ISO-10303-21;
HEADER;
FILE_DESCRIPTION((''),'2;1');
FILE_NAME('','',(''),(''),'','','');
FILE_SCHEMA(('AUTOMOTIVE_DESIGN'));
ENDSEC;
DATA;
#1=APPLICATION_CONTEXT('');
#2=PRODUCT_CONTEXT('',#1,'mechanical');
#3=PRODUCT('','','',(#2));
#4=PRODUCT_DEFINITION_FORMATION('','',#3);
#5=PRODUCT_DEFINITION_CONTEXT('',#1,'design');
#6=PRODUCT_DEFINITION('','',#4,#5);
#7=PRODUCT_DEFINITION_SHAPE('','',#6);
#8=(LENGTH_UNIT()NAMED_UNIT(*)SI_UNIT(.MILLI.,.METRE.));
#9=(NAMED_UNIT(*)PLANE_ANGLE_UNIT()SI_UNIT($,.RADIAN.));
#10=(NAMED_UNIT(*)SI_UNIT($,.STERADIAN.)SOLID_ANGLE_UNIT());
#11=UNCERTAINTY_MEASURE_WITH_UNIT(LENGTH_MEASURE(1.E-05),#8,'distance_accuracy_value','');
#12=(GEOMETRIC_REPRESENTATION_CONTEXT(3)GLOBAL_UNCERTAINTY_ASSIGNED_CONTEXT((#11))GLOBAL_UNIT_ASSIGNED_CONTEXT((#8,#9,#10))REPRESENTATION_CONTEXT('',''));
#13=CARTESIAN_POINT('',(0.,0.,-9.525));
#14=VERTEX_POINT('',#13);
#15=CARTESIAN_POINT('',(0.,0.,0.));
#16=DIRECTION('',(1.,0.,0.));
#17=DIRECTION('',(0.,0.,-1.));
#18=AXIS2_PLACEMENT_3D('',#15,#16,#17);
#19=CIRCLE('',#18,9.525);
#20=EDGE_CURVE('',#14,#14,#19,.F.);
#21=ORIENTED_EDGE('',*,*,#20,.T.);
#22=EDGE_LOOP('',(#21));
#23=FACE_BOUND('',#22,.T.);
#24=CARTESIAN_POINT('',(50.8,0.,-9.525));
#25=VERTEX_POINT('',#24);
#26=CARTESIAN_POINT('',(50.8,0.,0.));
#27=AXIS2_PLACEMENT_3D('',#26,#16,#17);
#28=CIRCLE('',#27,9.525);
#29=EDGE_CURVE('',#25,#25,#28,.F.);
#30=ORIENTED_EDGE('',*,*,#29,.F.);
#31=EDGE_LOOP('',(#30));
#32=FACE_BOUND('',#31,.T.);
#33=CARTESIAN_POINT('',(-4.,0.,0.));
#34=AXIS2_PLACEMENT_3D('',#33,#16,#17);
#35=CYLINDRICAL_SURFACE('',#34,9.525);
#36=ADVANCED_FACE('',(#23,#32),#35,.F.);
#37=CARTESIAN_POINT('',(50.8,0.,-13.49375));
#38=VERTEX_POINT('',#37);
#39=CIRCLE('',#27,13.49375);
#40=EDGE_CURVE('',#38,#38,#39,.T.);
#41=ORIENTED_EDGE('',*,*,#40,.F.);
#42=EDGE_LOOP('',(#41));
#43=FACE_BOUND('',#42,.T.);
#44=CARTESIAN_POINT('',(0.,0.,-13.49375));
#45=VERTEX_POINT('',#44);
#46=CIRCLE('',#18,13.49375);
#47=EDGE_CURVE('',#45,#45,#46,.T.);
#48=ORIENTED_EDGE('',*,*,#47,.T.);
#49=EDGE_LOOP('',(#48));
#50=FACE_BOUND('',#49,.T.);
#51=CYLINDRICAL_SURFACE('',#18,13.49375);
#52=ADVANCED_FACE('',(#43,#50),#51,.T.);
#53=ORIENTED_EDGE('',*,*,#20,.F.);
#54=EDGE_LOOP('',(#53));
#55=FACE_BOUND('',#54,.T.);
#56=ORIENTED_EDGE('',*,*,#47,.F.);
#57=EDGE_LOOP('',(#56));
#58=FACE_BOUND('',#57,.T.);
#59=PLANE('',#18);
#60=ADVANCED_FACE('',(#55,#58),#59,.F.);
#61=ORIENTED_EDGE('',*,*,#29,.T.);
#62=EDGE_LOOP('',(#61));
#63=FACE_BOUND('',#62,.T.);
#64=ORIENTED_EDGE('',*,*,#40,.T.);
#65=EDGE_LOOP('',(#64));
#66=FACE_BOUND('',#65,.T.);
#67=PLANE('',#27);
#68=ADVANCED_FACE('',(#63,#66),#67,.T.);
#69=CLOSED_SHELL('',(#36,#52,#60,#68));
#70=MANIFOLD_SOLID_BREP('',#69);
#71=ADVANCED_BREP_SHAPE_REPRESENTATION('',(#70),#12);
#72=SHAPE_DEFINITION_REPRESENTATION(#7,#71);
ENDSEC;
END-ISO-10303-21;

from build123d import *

# Parameters (mm, degrees)
SWEEP1_PROFILE_R     = 13.49375
CUT_SWEEP1_PROFILE_R = 9.525


with BuildPart() as part:
    # Sweep1: sweep along a path in Sketch1
    with BuildLine(Plane.XY) as sweep1_path:
        Line((0, 0), (50.8, 0))
    # Sweep1 profile (on start of the path) → Sweep1 (sweep)
    with BuildSketch(Plane(origin=(0, 0, 0), x_dir=(0, 0, 1), z_dir=(1, 0, 0))):
        Circle(SWEEP1_PROFILE_R)
    sweep(path=sweep1_path.line)

    # Cut-Sweep1: sweep along a path in Sketch1<3>
    with BuildLine(Plane.XY) as cut_sweep1_path:
        Line((0, 0), (50.8, 0))
    # Cut-Sweep1 profile (on start of the path) → Cut-Sweep1 (sweep, cut)
    with BuildSketch(Plane(origin=(0, 0, 0), x_dir=(0, 0, 1), z_dir=(1, 0, 0))):
        Circle(CUT_SWEEP1_PROFILE_R)
    sweep(path=cut_sweep1_path.line, mode=Mode.SUBTRACT)


solid = part.part
